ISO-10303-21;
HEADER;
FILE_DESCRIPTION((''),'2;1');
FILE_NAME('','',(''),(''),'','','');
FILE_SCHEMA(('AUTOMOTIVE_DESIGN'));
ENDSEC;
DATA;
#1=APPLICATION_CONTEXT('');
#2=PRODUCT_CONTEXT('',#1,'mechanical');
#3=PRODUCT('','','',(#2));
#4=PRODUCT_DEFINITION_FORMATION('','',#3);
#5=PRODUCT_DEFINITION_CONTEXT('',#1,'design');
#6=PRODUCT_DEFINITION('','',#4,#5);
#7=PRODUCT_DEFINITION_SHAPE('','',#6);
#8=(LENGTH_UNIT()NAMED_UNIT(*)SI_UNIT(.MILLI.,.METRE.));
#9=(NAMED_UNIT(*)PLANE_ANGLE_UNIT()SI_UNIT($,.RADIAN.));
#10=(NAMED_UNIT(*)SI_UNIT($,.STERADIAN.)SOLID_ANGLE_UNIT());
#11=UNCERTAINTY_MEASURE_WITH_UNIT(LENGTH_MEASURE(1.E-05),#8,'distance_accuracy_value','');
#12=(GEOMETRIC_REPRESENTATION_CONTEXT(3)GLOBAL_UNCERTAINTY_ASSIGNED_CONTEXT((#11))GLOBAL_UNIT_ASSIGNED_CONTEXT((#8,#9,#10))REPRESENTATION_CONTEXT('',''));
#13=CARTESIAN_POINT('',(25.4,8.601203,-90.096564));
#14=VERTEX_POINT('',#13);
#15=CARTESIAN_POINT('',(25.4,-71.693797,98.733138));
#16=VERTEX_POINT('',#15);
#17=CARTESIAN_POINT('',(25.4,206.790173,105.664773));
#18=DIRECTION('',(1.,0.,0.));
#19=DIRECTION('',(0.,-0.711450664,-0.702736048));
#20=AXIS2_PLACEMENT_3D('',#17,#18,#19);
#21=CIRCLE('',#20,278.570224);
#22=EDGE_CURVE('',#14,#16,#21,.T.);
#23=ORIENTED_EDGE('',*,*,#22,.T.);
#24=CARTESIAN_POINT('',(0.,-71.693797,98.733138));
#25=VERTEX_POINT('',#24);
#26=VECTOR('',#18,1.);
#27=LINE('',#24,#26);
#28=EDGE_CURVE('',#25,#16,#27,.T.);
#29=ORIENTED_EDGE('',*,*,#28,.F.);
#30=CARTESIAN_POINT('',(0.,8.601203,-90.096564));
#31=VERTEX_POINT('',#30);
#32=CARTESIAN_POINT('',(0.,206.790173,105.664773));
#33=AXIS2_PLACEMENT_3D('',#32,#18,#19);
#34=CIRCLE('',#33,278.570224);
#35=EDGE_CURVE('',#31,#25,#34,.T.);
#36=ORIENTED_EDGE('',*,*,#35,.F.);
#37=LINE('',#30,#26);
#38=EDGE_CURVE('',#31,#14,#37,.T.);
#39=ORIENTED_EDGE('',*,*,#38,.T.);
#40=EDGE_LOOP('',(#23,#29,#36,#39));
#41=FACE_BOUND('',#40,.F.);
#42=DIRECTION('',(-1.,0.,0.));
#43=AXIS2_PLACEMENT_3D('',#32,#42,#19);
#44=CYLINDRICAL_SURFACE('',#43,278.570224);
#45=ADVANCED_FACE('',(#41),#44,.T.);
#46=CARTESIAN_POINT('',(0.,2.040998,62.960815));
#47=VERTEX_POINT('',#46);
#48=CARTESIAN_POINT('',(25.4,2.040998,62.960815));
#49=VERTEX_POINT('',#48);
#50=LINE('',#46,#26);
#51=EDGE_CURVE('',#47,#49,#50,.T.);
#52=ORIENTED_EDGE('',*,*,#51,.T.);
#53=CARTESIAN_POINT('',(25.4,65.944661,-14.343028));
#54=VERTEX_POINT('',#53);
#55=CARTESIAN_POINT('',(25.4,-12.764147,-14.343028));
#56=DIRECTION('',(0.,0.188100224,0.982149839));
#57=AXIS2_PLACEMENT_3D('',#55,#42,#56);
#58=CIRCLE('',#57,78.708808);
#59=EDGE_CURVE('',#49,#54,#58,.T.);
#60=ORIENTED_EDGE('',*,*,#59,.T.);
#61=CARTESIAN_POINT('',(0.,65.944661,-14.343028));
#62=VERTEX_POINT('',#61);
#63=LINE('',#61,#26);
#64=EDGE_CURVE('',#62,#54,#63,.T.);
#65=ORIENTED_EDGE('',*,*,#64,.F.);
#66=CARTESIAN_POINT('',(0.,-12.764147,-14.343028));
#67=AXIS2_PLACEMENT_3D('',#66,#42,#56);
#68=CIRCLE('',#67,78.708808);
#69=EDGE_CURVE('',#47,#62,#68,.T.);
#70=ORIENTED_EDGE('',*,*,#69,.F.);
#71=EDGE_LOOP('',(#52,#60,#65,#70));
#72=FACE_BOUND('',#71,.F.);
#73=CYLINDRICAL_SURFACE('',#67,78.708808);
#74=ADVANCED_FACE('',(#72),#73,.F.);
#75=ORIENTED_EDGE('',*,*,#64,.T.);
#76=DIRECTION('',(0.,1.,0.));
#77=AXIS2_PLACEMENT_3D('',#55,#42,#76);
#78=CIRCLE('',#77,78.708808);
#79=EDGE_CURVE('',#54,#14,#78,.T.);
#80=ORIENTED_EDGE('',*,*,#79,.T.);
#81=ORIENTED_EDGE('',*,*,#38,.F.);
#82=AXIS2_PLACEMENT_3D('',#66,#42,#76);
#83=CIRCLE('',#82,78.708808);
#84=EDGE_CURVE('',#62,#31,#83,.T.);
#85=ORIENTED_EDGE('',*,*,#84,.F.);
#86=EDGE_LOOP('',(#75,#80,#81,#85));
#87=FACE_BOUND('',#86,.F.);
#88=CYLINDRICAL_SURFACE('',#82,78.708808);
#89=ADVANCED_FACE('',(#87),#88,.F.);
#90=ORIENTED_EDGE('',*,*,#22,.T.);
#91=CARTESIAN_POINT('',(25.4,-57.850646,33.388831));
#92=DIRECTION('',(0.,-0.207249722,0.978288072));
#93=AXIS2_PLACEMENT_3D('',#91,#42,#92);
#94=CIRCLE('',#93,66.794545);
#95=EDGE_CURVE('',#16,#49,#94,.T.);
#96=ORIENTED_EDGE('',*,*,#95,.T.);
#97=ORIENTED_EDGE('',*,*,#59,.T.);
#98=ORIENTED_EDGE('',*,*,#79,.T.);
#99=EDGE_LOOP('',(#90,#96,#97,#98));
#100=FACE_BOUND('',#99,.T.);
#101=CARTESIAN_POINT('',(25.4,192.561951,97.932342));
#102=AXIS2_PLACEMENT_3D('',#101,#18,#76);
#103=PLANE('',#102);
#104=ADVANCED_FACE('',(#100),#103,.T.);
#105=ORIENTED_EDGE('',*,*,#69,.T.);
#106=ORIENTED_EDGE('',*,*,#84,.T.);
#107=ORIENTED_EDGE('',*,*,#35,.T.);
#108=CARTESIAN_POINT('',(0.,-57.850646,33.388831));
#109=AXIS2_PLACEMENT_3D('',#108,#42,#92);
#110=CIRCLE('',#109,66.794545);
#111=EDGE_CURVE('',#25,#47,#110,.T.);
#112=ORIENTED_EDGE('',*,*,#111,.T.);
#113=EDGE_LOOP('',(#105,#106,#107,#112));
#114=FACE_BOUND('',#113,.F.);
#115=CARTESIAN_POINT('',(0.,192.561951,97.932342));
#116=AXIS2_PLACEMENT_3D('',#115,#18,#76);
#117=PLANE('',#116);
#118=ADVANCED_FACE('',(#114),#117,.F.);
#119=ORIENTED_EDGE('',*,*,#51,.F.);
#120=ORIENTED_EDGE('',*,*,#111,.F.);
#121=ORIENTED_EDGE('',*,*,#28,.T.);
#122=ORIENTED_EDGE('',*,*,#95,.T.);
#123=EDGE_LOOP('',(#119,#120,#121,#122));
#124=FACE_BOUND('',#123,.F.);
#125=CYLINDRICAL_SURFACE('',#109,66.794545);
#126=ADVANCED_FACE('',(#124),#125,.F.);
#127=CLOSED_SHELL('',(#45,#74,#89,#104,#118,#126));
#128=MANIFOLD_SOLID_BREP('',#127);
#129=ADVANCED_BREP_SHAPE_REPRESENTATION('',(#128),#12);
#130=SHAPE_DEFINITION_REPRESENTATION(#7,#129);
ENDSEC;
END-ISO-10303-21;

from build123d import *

# Parameters (mm, degrees)
F1_DEPTH = 25.4


with BuildPart() as f1:
    # F0 (on Right) → F1 (new body)
    with BuildSketch(Plane.YZ):
        with BuildLine():
            ThreePointArc((-71.6937970657, 98.7331376187), (-28.6953602222, 93.4844260432), (2.0409978904, 62.96081495))
            ThreePointArc((2.0409978904, 62.96081495), (47.9003888582, 35.8056567558), (65.944661361, -14.3430280358))
            ThreePointArc((65.944661361, -14.3430280358), (49.9921983032, -61.8479501315), (8.6012030284, -90.0965644531))
            ThreePointArc((8.6012030284, -90.0965644531), (312.6009092973, -152.0277906839), (485.3603969818, 105.6647734482))
            ThreePointArc((485.3603969818, 105.6647734482), (203.3240872522, 384.2134328783), (-71.6937970657, 98.7331376187))
        make_face()
    extrude(amount=F1_DEPTH)


solid = f1.part
